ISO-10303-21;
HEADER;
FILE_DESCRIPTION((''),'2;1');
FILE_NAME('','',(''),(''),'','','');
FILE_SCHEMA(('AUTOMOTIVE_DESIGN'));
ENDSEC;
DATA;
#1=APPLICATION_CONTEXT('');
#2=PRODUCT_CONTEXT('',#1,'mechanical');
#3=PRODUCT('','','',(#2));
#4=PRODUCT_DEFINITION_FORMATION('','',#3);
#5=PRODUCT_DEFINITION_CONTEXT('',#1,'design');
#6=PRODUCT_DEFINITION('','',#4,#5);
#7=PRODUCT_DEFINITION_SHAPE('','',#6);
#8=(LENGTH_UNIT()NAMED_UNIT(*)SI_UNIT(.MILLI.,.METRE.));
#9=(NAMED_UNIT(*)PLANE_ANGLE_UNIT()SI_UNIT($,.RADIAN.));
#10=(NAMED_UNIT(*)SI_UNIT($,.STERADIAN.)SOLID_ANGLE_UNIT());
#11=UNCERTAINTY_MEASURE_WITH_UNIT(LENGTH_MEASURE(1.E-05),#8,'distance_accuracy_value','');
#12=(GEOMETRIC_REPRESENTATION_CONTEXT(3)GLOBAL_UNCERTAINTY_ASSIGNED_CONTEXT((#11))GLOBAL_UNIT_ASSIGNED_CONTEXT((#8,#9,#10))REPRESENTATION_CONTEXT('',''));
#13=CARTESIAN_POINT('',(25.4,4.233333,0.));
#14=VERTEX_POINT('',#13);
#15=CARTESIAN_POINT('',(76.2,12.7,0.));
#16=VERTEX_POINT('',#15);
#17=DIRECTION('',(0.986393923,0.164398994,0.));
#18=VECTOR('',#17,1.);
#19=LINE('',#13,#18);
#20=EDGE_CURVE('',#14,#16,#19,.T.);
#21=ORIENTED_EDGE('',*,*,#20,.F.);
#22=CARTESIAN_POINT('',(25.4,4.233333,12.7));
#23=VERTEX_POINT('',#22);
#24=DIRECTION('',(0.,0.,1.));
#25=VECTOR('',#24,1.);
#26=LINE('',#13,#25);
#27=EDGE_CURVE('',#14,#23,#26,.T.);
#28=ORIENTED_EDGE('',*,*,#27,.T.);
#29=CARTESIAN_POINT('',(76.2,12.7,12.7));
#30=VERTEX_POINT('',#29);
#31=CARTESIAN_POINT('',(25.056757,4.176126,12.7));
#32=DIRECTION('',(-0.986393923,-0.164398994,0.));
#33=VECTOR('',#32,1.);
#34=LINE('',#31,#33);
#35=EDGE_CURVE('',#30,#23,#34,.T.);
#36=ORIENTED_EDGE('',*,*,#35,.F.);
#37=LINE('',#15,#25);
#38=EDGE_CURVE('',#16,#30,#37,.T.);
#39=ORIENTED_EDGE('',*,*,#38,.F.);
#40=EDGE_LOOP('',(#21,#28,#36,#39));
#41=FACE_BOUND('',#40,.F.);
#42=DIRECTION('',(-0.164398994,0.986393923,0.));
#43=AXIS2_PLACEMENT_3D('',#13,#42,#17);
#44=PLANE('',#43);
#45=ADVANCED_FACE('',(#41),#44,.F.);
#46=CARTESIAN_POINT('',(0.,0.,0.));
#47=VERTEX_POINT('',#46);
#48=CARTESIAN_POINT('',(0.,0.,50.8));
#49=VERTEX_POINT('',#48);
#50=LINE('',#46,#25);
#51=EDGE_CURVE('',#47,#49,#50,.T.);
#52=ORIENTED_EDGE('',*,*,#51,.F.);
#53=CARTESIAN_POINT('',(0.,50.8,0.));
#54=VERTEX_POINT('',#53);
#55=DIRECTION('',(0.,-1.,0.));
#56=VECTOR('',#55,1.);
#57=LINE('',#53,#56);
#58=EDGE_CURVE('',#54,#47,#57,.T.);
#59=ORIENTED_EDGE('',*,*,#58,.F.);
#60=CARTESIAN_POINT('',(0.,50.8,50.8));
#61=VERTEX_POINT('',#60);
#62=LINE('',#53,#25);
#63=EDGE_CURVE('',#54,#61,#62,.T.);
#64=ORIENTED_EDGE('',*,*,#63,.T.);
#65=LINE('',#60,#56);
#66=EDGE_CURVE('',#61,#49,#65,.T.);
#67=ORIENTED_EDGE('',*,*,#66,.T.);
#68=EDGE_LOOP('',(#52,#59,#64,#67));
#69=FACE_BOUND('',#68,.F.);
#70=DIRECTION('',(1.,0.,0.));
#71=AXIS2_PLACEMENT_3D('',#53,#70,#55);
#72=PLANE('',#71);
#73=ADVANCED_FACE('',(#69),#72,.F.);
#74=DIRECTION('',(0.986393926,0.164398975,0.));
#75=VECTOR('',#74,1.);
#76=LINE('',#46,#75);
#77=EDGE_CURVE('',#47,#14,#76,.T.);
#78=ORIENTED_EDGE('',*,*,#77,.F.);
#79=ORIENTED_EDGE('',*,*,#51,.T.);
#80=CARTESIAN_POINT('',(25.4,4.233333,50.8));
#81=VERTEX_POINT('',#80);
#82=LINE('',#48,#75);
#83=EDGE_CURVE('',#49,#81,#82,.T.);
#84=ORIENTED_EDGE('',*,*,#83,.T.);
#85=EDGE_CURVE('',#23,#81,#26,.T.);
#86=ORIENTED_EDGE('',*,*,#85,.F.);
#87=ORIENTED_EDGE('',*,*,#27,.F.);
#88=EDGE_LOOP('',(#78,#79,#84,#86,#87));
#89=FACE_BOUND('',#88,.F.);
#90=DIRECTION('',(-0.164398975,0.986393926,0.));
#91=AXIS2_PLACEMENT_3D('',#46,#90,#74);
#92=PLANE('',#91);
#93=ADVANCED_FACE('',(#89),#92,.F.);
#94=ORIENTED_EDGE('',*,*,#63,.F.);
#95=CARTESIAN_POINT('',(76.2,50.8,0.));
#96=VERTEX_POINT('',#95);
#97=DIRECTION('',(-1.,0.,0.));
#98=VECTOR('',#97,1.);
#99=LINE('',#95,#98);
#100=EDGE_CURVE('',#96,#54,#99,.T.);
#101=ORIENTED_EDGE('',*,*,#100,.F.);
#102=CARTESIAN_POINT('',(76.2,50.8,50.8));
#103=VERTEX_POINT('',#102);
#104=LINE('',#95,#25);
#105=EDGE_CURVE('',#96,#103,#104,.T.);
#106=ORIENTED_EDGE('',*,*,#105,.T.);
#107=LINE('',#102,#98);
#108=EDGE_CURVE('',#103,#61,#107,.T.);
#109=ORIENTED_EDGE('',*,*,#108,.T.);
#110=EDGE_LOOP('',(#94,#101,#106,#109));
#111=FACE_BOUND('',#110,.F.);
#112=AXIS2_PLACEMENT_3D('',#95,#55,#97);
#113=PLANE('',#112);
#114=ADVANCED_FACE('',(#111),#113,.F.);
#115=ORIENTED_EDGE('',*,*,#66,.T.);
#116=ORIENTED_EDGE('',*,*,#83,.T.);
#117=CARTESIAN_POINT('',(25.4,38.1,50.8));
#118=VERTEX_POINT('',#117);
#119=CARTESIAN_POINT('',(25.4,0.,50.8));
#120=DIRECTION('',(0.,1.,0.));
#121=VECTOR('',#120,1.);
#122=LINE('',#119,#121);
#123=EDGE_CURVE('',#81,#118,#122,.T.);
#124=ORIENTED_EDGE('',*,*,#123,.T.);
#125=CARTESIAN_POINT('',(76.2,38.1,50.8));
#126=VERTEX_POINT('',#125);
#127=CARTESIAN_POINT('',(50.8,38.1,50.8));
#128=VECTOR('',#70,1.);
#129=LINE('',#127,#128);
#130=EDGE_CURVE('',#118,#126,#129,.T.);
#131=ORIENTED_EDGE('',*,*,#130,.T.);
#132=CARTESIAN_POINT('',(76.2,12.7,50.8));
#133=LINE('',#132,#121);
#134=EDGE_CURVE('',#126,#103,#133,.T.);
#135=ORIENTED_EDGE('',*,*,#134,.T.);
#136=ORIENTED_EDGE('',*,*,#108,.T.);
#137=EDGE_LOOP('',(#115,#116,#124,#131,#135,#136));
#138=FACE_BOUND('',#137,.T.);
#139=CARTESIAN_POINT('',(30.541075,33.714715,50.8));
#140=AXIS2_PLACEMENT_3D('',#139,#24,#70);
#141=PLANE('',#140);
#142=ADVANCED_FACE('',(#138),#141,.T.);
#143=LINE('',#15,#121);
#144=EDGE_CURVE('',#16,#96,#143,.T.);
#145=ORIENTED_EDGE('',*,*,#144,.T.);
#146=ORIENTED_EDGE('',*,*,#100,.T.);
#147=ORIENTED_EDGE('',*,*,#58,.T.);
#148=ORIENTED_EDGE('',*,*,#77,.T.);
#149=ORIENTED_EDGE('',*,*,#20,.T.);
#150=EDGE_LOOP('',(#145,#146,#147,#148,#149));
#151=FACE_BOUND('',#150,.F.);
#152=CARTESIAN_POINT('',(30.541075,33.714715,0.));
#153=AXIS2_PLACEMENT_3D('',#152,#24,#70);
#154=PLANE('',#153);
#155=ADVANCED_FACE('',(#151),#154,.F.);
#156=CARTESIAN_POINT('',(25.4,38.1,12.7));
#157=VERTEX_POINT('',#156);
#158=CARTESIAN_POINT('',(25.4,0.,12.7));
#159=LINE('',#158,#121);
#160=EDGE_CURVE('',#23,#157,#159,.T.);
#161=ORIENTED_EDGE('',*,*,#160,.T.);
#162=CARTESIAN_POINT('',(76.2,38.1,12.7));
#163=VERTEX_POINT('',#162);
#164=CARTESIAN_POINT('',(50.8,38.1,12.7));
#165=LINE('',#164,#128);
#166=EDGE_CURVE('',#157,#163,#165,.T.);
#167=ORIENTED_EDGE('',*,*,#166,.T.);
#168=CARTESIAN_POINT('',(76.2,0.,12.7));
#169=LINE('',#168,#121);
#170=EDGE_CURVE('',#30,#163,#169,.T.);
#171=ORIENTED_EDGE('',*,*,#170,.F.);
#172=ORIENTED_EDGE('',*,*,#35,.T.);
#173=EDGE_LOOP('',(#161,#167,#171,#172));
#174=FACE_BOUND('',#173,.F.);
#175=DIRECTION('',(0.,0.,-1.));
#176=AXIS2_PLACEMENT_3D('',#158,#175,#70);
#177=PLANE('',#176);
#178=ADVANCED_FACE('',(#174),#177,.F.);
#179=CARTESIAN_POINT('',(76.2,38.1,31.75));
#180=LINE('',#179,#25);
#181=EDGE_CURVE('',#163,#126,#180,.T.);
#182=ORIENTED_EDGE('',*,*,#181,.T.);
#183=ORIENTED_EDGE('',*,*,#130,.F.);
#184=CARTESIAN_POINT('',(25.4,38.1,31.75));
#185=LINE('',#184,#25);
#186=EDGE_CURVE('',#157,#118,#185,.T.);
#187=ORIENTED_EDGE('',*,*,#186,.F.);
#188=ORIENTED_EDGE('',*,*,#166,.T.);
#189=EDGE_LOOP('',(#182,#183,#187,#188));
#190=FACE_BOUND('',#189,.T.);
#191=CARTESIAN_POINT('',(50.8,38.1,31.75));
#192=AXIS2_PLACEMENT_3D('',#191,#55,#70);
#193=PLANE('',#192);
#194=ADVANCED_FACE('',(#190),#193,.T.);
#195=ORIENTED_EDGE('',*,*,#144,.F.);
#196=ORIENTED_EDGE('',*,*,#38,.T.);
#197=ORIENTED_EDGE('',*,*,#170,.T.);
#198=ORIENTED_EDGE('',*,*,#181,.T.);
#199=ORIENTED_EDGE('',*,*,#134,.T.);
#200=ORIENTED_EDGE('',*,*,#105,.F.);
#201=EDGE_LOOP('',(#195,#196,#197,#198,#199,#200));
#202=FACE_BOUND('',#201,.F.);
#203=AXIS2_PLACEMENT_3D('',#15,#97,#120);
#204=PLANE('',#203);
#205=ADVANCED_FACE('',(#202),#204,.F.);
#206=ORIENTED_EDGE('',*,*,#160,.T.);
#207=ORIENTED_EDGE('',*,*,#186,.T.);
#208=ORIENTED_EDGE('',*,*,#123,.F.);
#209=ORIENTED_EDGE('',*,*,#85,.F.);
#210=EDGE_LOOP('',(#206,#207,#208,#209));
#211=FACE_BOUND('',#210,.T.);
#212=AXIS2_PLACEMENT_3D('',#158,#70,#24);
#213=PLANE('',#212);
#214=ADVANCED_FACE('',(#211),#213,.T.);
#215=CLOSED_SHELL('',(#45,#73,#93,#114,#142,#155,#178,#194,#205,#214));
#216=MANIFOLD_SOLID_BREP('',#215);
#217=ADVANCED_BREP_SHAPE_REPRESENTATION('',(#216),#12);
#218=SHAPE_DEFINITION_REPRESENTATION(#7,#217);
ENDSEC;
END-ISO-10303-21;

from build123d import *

# Parameters (mm, degrees)
F2_DEPTH = 50.8
F0_W     = 50.8
F0_H     = 38.1
F3_DEPTH = 38.1


with BuildPart() as f2:
    # F1 (on Top) → F2 (new body)
    with BuildSketch(Plane.XY):
        Polygon((0, 50.8), (0, 0), (25.4, 4.233333), (25.4, 38.1), (76.2, 38.1), (76.2, 50.8), align=None)
        Polygon((25.4, 38.1), (25.4, 4.233333), (76.2, 12.7), (76.2, 38.1), align=None)
    extrude(amount=F2_DEPTH)

    # F0 (on Front) → F3 (cut)
    with BuildSketch(Plane.XZ):
        with Locations((50.8, 31.75)):
            Rectangle(F0_W, F0_H)
    extrude(amount=-F3_DEPTH, mode=Mode.SUBTRACT)


solid = f2.part
